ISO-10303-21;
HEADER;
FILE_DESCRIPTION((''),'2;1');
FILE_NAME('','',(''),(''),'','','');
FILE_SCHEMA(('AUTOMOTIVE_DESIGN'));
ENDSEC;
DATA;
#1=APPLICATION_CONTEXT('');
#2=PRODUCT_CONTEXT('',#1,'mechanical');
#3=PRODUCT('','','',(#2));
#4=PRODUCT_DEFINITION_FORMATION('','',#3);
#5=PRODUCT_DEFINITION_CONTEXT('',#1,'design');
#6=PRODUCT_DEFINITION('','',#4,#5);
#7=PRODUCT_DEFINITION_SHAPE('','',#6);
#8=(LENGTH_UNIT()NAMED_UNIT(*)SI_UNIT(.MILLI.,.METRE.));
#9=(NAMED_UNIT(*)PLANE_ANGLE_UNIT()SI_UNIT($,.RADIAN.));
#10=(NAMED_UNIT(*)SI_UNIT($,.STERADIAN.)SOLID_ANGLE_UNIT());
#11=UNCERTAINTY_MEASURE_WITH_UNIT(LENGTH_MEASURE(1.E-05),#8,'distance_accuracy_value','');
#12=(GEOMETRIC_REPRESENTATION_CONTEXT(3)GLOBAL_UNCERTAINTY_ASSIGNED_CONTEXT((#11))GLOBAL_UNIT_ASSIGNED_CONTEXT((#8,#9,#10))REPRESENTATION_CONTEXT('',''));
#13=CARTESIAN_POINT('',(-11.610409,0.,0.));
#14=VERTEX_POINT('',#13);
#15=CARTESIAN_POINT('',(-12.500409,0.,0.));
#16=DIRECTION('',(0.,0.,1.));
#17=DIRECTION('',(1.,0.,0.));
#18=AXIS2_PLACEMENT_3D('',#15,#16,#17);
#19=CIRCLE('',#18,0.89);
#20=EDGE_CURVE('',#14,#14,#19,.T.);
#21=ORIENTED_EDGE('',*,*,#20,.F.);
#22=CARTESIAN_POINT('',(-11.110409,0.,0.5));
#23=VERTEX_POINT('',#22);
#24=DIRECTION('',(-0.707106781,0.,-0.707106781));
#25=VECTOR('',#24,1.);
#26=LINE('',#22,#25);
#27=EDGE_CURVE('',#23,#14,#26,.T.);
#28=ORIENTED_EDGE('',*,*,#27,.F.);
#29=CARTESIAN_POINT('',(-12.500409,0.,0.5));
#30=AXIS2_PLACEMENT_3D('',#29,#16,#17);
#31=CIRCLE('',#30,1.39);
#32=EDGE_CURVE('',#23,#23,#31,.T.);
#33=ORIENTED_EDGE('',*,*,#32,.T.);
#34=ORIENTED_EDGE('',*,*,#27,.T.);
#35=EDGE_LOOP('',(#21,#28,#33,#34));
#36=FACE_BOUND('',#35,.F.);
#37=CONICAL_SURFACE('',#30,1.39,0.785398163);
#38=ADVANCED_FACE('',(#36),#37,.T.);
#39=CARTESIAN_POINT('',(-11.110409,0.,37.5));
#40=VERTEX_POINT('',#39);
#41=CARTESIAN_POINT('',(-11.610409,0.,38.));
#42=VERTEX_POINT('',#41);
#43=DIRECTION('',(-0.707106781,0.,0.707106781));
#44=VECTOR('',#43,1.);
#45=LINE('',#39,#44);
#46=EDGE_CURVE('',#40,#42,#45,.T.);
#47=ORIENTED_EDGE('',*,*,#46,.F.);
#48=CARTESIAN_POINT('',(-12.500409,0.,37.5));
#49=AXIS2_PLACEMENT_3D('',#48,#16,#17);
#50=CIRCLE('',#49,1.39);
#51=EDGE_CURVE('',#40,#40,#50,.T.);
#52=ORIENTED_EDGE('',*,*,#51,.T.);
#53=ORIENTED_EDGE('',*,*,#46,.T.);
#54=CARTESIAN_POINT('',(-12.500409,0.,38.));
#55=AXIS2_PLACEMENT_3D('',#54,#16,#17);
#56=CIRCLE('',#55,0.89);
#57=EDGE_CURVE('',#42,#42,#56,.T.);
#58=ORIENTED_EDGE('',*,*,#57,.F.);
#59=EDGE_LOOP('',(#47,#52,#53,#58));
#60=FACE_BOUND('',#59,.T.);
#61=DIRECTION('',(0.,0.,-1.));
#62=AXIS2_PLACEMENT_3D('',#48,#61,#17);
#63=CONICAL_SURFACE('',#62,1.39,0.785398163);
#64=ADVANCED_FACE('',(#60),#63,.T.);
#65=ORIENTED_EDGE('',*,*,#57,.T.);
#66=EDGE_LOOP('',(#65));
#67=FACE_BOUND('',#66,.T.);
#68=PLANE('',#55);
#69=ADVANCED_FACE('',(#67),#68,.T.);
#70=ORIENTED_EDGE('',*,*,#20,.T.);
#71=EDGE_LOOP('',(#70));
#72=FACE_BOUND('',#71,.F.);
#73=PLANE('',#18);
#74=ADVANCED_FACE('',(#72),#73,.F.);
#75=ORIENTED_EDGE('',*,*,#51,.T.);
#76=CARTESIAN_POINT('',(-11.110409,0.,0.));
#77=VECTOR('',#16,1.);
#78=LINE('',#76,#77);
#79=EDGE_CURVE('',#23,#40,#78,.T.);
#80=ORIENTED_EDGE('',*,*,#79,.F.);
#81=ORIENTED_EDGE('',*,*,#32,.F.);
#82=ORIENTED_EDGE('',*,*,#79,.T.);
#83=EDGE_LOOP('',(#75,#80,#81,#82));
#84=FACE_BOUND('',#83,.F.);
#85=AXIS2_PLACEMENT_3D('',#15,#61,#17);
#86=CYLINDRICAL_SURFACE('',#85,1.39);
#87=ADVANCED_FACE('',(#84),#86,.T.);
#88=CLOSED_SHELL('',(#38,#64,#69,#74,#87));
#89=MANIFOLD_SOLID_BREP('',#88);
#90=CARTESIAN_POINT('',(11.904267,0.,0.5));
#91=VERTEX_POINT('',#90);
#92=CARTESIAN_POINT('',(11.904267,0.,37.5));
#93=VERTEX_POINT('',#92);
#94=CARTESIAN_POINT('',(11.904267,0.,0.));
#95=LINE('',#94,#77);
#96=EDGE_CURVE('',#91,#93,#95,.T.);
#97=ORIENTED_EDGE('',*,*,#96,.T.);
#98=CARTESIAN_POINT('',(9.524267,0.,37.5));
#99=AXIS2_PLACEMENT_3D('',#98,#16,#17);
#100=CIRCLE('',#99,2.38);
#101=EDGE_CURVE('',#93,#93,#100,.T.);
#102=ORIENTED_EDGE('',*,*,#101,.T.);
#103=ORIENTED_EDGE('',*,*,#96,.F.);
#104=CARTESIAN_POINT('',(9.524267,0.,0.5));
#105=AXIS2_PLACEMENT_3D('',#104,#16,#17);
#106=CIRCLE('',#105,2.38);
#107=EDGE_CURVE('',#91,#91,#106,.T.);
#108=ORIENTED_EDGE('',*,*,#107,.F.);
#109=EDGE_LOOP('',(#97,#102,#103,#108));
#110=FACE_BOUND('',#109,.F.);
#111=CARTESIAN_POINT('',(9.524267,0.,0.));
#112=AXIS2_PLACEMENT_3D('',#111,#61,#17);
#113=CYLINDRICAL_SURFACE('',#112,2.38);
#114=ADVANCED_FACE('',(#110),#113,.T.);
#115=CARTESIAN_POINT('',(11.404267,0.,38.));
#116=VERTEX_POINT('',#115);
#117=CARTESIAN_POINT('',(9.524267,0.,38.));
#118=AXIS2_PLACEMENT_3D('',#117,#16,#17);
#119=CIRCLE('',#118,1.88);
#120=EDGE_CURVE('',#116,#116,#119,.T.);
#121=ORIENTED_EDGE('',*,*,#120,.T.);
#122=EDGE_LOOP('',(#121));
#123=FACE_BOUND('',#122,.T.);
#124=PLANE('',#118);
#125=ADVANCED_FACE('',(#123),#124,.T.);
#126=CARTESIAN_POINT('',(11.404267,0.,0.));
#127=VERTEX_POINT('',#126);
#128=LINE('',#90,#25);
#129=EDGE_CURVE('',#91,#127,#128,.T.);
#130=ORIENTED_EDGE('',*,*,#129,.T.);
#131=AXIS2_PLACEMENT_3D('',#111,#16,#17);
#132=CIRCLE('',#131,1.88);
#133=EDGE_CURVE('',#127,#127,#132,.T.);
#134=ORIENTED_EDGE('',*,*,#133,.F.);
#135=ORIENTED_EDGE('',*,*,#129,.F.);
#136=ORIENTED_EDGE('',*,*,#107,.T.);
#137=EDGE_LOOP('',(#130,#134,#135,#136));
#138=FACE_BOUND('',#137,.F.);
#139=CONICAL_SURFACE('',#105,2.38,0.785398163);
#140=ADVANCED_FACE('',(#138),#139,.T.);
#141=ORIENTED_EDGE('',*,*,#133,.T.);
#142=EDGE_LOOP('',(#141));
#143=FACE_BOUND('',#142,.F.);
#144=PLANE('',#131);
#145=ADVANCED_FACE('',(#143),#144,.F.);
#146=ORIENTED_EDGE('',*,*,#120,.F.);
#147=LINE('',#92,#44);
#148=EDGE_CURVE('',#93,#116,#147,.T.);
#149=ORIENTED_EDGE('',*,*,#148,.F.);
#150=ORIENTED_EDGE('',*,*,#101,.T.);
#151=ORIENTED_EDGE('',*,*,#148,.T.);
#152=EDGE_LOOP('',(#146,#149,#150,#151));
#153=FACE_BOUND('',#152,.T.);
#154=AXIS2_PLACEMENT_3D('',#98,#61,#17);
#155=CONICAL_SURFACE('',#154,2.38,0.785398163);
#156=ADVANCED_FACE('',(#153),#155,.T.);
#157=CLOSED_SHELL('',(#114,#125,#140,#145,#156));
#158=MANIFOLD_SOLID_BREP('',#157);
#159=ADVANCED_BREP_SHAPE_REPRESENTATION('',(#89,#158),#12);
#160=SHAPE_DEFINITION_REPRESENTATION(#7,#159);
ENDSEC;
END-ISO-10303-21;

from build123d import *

# Parameters (mm, degrees)
F0_R     = 1.39
F0_R_2   = 2.38
F1_DEPTH = 38
F2_SIZE  = 0.5


with BuildPart() as f1:
    # F0 (on Top) → F1 (new body)
    with BuildSketch(Plane.XY):
        with Locations((-12.500409, 0)):
            Circle(F0_R)
        with Locations((9.524267, 0)):
            Circle(F0_R_2)
    extrude(amount=F1_DEPTH)

    # F2
    f2_edges = [f1.edges().sort_by_distance(p)[0] for p in [
        (-13.890409, 0, 38),
        (7.144267, 0, 38),
        (7.144267, 0, 0),
        (-13.890409, 0, 0),
    ]]
    chamfer(f2_edges, length=F2_SIZE)


solid = f1.part
